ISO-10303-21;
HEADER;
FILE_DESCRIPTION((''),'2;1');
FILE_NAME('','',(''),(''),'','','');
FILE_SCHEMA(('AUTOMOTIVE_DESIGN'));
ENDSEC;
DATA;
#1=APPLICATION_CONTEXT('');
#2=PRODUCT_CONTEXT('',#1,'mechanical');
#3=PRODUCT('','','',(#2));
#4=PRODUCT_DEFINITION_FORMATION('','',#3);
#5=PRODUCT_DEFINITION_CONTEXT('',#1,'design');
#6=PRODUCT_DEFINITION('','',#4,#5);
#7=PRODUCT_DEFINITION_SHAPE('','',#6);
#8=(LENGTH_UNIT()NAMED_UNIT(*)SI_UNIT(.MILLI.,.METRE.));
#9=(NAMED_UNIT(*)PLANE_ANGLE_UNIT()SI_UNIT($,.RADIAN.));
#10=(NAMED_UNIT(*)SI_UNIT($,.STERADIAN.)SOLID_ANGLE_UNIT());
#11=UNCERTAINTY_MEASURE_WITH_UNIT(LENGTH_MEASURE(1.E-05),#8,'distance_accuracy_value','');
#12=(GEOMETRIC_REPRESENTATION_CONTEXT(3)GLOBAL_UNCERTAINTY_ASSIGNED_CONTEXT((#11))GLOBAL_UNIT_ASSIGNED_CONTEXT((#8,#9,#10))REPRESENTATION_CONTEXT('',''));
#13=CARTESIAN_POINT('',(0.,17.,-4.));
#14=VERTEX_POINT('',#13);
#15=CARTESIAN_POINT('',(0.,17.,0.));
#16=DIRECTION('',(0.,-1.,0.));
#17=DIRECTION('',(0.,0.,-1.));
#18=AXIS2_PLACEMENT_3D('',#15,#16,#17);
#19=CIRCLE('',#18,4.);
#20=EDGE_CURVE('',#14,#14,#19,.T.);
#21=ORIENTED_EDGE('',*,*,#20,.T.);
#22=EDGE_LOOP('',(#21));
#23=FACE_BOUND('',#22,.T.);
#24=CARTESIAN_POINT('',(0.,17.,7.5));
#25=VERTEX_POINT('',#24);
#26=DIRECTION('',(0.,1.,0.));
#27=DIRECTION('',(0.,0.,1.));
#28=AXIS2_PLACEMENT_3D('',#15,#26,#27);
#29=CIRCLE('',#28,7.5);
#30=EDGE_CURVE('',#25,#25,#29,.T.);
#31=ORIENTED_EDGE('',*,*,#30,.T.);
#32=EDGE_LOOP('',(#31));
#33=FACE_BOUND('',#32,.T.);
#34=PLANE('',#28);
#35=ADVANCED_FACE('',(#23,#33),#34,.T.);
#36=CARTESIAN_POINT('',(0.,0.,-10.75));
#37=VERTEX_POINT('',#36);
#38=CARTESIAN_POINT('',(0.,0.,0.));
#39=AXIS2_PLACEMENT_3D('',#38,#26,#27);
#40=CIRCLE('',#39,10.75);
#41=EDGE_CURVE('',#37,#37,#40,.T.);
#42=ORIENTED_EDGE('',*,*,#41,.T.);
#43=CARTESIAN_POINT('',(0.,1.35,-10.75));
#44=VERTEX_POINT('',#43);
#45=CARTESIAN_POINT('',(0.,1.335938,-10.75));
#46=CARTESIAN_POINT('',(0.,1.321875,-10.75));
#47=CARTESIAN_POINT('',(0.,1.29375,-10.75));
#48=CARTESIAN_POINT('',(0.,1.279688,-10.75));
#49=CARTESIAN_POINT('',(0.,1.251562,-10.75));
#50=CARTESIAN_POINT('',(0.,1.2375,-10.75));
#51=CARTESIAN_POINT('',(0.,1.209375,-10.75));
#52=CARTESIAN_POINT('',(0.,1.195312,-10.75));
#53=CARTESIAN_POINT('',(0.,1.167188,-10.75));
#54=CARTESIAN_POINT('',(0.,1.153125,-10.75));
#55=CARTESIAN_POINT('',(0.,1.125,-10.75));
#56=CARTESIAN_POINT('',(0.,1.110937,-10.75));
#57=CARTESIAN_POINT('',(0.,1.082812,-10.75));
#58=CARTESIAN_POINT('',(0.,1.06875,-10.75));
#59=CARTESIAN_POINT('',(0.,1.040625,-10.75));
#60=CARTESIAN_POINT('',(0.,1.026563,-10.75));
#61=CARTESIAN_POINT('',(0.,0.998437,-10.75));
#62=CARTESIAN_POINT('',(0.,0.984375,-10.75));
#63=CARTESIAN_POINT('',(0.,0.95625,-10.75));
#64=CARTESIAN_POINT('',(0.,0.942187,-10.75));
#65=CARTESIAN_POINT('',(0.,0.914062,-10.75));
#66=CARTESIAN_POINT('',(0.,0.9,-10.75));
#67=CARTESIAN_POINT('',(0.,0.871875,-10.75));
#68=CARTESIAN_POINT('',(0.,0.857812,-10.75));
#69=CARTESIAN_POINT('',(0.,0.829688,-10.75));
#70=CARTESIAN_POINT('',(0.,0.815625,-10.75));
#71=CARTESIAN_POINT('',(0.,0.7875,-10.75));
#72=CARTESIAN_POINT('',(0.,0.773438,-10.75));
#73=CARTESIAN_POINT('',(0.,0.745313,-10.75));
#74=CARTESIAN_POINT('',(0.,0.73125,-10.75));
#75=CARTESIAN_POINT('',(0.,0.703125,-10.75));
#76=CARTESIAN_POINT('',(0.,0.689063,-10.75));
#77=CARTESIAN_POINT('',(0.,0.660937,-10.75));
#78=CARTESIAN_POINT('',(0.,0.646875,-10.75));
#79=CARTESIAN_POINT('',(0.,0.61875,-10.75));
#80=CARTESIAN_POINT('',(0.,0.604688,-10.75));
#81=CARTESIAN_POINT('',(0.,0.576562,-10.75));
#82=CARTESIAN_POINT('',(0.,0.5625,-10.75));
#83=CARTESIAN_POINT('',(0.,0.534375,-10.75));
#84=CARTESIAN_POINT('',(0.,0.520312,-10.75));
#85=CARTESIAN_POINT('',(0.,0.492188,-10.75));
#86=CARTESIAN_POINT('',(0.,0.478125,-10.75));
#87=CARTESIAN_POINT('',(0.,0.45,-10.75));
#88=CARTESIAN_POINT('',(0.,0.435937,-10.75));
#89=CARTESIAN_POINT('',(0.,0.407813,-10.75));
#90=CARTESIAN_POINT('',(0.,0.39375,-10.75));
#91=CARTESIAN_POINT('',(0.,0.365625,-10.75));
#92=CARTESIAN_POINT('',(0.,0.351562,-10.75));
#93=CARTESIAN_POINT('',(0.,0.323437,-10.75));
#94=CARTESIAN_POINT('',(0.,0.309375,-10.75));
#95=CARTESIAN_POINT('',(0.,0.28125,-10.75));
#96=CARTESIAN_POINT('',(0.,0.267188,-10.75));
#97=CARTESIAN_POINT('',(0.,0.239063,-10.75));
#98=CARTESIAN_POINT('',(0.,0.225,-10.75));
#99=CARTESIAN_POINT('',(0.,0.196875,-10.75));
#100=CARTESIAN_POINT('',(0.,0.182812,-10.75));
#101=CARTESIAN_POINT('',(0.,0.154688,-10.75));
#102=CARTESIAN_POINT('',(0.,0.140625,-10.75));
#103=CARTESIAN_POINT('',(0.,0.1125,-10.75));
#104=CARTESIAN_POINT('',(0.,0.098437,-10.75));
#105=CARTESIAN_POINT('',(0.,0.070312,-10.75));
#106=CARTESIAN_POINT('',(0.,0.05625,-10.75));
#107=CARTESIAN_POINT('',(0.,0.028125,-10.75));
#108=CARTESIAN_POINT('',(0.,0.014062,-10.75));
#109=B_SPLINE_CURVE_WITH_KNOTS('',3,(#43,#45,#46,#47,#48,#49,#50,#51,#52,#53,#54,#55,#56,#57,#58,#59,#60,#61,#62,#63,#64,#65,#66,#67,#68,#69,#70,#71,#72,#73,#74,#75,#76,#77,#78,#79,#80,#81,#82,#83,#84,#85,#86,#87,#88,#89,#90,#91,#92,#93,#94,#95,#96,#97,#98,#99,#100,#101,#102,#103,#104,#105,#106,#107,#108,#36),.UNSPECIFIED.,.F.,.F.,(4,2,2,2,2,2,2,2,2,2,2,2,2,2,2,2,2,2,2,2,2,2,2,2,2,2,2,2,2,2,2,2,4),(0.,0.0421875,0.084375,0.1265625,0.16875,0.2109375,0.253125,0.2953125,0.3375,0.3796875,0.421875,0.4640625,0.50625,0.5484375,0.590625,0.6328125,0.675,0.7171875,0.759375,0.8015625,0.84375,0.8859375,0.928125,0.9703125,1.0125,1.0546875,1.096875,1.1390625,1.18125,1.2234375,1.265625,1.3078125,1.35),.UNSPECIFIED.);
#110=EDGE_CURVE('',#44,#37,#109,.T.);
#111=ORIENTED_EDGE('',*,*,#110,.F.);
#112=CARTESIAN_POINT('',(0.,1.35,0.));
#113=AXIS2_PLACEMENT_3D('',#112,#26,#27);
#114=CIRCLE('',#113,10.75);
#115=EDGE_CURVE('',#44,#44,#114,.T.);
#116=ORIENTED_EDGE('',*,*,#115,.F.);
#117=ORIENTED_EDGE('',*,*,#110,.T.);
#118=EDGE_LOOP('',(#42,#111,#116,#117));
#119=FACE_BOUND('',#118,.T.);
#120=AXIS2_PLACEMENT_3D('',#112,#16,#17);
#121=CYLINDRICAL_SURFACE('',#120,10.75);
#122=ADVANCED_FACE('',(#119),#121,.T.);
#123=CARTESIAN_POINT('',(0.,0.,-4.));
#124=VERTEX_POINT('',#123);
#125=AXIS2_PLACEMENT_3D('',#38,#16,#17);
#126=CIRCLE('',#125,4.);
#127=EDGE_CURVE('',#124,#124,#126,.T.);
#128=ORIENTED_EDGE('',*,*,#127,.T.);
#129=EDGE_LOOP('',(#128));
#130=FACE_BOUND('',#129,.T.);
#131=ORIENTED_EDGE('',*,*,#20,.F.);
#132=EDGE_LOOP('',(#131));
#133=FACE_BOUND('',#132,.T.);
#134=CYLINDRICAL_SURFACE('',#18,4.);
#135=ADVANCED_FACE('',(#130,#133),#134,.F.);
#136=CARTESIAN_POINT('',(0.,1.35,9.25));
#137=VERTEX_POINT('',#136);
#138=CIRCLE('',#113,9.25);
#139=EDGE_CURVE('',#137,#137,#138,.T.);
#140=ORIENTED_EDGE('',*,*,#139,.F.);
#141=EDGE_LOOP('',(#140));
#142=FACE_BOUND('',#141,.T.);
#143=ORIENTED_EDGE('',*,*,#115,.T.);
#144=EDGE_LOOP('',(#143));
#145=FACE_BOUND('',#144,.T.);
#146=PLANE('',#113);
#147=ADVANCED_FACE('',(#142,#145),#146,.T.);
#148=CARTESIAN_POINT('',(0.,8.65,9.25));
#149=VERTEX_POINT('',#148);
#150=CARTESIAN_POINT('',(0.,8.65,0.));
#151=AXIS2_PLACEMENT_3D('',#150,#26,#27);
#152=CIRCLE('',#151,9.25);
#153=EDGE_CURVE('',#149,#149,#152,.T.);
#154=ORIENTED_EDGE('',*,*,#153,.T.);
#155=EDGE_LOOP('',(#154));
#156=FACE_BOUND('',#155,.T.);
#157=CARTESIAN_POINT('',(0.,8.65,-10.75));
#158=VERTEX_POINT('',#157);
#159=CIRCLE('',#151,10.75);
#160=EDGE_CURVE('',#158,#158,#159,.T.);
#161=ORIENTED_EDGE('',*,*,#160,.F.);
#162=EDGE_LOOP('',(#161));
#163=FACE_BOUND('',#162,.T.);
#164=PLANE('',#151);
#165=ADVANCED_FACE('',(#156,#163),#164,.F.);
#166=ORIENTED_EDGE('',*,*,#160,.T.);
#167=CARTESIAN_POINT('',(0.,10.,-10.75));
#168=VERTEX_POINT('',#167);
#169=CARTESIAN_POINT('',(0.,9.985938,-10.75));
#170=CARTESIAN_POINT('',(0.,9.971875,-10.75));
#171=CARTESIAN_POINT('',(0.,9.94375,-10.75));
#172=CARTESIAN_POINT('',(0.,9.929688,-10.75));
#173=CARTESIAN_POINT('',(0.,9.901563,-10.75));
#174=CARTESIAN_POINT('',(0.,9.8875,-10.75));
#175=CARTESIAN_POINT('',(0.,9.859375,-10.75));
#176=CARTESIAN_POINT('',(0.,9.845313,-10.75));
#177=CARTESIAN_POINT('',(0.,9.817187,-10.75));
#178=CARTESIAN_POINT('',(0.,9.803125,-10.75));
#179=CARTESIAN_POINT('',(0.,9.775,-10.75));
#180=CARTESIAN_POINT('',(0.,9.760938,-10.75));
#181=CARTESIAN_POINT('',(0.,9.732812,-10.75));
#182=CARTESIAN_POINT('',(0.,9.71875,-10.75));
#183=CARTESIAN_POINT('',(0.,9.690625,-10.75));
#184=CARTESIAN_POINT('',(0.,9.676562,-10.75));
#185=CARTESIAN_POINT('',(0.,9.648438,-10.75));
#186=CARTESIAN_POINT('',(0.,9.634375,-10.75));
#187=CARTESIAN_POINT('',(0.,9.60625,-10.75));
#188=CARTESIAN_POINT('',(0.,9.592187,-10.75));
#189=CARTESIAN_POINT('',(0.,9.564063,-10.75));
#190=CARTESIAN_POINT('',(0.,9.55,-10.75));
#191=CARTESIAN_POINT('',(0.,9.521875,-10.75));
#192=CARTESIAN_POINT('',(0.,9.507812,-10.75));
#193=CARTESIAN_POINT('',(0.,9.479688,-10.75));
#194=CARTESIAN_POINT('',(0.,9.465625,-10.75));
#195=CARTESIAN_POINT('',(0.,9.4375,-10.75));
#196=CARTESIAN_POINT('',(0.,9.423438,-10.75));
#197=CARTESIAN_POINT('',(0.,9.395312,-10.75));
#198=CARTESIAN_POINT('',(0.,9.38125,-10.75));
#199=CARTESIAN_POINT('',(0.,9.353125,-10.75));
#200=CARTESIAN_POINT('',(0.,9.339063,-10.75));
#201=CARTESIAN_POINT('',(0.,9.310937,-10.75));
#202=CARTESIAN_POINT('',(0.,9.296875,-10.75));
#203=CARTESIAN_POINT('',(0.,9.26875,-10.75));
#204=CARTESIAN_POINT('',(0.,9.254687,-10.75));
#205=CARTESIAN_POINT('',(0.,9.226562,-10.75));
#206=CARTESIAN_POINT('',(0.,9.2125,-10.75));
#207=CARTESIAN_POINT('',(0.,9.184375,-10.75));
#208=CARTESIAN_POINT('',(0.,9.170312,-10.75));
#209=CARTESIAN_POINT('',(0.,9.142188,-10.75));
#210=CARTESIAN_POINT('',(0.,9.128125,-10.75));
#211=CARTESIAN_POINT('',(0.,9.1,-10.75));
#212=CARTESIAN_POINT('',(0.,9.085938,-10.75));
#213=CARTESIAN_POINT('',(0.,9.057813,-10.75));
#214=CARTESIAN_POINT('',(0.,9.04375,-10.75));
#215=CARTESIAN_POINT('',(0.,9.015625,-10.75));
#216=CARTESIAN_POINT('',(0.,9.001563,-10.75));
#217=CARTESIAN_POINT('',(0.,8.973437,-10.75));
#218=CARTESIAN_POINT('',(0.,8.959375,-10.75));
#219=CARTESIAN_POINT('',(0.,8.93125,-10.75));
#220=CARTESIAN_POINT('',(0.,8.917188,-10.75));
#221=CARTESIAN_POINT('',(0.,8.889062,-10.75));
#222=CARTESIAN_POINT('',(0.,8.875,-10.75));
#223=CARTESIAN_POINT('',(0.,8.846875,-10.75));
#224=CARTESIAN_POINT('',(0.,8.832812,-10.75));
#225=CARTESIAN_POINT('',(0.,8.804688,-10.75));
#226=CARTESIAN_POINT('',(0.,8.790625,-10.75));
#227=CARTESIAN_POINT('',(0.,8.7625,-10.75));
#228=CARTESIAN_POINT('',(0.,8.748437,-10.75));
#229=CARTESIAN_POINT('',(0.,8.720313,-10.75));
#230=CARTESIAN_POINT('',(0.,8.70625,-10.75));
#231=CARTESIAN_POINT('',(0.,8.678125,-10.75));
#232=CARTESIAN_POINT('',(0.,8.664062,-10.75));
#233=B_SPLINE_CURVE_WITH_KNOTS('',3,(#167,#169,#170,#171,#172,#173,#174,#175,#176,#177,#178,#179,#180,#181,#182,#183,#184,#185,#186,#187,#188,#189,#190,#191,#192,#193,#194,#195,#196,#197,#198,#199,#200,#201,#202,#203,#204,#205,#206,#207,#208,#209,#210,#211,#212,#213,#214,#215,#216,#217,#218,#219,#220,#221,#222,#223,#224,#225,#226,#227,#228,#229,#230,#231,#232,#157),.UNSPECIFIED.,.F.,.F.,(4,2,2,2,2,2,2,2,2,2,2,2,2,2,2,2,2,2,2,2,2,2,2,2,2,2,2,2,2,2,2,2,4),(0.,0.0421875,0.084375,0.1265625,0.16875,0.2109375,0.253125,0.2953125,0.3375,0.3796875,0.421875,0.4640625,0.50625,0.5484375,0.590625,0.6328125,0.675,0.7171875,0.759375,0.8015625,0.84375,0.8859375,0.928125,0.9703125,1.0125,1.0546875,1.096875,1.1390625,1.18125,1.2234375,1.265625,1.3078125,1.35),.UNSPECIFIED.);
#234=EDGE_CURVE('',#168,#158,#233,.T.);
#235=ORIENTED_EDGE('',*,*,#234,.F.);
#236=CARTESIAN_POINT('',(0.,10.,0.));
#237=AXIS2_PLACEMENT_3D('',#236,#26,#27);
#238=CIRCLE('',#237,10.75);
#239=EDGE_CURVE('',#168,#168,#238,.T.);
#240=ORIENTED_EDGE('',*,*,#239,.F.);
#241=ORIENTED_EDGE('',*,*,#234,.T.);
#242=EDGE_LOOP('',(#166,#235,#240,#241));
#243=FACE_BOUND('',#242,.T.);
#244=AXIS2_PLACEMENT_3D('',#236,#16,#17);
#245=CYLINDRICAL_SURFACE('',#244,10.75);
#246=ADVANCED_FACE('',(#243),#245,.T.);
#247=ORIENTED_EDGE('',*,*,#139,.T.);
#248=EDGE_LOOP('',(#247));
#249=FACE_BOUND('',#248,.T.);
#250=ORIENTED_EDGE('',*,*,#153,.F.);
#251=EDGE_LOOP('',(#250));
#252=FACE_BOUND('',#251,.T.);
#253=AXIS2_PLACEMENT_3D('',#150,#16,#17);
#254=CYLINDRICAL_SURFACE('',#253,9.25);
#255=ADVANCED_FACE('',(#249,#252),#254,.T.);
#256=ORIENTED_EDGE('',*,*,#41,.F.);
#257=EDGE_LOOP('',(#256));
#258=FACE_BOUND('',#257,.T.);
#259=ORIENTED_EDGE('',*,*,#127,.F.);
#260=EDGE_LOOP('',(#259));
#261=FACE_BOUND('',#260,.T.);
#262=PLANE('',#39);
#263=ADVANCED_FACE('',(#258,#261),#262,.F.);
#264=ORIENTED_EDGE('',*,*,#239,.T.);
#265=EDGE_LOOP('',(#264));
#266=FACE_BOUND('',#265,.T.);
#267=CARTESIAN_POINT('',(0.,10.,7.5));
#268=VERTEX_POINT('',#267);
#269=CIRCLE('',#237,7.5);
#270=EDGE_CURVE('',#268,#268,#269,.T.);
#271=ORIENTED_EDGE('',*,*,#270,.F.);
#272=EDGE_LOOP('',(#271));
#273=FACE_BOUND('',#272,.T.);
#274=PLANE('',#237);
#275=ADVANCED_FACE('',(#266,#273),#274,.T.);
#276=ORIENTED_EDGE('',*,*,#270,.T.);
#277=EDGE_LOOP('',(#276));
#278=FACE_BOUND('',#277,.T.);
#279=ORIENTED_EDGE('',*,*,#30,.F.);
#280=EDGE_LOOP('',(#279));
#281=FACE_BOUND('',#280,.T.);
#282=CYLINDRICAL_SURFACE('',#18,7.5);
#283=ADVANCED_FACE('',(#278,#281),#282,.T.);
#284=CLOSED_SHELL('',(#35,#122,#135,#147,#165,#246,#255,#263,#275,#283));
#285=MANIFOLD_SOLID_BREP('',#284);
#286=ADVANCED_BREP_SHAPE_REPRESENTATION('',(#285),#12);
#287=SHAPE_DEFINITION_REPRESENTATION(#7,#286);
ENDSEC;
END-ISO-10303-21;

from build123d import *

# Parameters (mm, degrees)
SKETCH_1_R          = 10.75
EXTRUDE_1_DEPTH     = 1.35
SKETCH_4_R          = 9.25
EXTRUDE_3_DEPTH     = 7.3
EXTRUDE_START       = 8.65
SKETCH_1_4_R        = 10.75
EXTRUDE_4_DEPTH     = 1.35
SKETCH_6_R          = 7.5
EXTRUDE_5_DEPTH     = 7
SKETCH_5_R          = 4
CUT_EXTRUDE_1_DEPTH = 23.806249144


with BuildPart() as part:
    # 草图1 → 凸台-拉伸1 (new body)
    with BuildSketch(Plane(origin=(0, 0, 0), x_dir=(1, 0, 0), z_dir=(0, 1, 0))):
        with Locations(Location((0, 0, 0), (0, 0, 90))):
            Circle(SKETCH_1_R)
    extrude(amount=EXTRUDE_1_DEPTH)

    # 草图4 → 凸台-拉伸3 (add)
    with BuildSketch(Plane(origin=(0, 1.35, 0), x_dir=(1, 0, 0), z_dir=(0, 1, 0))):
        with Locations(Location((0, 0, 0), (0, 0, 270))):
            Circle(SKETCH_4_R)
    extrude(amount=EXTRUDE_3_DEPTH)

    # 草图1<4> → 凸台-拉伸4 (add)
    with BuildSketch(Plane(origin=(0, 0, 0), x_dir=(1, 0, 0), z_dir=(0, 1, 0)).offset(EXTRUDE_START)):
        with Locations(Location((0, 0, 0), (0, 0, 90))):
            Circle(SKETCH_1_4_R)
    extrude(amount=EXTRUDE_4_DEPTH)

    # 草图6 → 凸台-拉伸5 (add)
    with BuildSketch(Plane(origin=(0, 10, 0), x_dir=(1, 0, 0), z_dir=(0, 1, 0))):
        with Locations(Location((0, 0, 0), (0, 0, 270))):
            Circle(SKETCH_6_R)
    extrude(amount=EXTRUDE_5_DEPTH)

    # 草图5 → 切除-拉伸1 (cut, through all)
    with BuildSketch(Plane.XZ):
        with Locations(Location((0, 0, 0), (0, 0, 270))):
            Circle(SKETCH_5_R)
    extrude(amount=-CUT_EXTRUDE_1_DEPTH, mode=Mode.SUBTRACT)


solid = part.part
